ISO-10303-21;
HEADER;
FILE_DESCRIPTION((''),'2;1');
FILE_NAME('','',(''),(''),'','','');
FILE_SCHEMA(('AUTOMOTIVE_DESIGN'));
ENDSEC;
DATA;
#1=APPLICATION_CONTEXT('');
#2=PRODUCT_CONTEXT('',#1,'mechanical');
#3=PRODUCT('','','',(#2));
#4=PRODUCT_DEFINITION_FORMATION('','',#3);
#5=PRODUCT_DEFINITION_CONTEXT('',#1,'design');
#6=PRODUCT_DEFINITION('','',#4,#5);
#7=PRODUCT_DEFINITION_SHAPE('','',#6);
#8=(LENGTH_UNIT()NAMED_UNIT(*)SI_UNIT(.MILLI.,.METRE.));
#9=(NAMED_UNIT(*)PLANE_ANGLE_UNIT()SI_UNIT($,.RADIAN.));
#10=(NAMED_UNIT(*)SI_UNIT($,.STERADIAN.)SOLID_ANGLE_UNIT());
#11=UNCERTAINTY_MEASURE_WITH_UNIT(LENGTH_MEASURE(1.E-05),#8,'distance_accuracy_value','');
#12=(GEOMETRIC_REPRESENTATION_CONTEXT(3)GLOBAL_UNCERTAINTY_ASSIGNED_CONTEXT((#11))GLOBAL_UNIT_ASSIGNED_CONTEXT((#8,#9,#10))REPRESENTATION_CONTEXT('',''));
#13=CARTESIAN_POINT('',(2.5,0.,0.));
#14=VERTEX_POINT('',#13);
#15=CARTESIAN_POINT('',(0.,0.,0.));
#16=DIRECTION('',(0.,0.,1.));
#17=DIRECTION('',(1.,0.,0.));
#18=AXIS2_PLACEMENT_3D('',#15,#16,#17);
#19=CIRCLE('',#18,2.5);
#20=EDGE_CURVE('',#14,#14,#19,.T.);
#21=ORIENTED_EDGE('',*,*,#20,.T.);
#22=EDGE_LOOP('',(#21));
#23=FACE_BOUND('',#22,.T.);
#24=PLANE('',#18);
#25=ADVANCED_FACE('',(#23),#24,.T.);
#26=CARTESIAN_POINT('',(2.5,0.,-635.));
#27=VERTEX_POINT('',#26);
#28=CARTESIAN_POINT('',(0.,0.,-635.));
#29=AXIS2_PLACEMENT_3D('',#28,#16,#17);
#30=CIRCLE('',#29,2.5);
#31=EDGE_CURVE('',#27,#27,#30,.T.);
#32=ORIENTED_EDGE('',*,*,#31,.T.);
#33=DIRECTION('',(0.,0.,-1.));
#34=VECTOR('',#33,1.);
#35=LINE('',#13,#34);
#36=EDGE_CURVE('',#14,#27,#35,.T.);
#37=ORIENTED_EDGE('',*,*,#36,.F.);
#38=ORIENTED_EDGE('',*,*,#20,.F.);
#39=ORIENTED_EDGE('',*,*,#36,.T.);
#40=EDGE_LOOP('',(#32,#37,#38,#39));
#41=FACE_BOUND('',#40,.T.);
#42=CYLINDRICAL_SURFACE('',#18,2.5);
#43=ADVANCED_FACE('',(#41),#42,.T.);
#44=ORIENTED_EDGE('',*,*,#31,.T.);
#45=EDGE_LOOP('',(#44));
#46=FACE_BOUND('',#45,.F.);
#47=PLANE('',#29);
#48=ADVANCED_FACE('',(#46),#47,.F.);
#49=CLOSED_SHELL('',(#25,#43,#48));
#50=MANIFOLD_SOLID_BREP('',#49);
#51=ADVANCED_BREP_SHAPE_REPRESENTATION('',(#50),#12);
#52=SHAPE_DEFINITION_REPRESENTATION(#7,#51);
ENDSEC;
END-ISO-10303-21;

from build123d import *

# Parameters (mm, degrees)
SKETCH1_R           = 2.5
BOSS_EXTRUDE1_DEPTH = 635


with BuildPart() as part:
    # Sketch1 → Boss-Extrude1 (new body)
    with BuildSketch(Plane.XY):
        Circle(SKETCH1_R)
    extrude(amount=-BOSS_EXTRUDE1_DEPTH)


solid = part.part
